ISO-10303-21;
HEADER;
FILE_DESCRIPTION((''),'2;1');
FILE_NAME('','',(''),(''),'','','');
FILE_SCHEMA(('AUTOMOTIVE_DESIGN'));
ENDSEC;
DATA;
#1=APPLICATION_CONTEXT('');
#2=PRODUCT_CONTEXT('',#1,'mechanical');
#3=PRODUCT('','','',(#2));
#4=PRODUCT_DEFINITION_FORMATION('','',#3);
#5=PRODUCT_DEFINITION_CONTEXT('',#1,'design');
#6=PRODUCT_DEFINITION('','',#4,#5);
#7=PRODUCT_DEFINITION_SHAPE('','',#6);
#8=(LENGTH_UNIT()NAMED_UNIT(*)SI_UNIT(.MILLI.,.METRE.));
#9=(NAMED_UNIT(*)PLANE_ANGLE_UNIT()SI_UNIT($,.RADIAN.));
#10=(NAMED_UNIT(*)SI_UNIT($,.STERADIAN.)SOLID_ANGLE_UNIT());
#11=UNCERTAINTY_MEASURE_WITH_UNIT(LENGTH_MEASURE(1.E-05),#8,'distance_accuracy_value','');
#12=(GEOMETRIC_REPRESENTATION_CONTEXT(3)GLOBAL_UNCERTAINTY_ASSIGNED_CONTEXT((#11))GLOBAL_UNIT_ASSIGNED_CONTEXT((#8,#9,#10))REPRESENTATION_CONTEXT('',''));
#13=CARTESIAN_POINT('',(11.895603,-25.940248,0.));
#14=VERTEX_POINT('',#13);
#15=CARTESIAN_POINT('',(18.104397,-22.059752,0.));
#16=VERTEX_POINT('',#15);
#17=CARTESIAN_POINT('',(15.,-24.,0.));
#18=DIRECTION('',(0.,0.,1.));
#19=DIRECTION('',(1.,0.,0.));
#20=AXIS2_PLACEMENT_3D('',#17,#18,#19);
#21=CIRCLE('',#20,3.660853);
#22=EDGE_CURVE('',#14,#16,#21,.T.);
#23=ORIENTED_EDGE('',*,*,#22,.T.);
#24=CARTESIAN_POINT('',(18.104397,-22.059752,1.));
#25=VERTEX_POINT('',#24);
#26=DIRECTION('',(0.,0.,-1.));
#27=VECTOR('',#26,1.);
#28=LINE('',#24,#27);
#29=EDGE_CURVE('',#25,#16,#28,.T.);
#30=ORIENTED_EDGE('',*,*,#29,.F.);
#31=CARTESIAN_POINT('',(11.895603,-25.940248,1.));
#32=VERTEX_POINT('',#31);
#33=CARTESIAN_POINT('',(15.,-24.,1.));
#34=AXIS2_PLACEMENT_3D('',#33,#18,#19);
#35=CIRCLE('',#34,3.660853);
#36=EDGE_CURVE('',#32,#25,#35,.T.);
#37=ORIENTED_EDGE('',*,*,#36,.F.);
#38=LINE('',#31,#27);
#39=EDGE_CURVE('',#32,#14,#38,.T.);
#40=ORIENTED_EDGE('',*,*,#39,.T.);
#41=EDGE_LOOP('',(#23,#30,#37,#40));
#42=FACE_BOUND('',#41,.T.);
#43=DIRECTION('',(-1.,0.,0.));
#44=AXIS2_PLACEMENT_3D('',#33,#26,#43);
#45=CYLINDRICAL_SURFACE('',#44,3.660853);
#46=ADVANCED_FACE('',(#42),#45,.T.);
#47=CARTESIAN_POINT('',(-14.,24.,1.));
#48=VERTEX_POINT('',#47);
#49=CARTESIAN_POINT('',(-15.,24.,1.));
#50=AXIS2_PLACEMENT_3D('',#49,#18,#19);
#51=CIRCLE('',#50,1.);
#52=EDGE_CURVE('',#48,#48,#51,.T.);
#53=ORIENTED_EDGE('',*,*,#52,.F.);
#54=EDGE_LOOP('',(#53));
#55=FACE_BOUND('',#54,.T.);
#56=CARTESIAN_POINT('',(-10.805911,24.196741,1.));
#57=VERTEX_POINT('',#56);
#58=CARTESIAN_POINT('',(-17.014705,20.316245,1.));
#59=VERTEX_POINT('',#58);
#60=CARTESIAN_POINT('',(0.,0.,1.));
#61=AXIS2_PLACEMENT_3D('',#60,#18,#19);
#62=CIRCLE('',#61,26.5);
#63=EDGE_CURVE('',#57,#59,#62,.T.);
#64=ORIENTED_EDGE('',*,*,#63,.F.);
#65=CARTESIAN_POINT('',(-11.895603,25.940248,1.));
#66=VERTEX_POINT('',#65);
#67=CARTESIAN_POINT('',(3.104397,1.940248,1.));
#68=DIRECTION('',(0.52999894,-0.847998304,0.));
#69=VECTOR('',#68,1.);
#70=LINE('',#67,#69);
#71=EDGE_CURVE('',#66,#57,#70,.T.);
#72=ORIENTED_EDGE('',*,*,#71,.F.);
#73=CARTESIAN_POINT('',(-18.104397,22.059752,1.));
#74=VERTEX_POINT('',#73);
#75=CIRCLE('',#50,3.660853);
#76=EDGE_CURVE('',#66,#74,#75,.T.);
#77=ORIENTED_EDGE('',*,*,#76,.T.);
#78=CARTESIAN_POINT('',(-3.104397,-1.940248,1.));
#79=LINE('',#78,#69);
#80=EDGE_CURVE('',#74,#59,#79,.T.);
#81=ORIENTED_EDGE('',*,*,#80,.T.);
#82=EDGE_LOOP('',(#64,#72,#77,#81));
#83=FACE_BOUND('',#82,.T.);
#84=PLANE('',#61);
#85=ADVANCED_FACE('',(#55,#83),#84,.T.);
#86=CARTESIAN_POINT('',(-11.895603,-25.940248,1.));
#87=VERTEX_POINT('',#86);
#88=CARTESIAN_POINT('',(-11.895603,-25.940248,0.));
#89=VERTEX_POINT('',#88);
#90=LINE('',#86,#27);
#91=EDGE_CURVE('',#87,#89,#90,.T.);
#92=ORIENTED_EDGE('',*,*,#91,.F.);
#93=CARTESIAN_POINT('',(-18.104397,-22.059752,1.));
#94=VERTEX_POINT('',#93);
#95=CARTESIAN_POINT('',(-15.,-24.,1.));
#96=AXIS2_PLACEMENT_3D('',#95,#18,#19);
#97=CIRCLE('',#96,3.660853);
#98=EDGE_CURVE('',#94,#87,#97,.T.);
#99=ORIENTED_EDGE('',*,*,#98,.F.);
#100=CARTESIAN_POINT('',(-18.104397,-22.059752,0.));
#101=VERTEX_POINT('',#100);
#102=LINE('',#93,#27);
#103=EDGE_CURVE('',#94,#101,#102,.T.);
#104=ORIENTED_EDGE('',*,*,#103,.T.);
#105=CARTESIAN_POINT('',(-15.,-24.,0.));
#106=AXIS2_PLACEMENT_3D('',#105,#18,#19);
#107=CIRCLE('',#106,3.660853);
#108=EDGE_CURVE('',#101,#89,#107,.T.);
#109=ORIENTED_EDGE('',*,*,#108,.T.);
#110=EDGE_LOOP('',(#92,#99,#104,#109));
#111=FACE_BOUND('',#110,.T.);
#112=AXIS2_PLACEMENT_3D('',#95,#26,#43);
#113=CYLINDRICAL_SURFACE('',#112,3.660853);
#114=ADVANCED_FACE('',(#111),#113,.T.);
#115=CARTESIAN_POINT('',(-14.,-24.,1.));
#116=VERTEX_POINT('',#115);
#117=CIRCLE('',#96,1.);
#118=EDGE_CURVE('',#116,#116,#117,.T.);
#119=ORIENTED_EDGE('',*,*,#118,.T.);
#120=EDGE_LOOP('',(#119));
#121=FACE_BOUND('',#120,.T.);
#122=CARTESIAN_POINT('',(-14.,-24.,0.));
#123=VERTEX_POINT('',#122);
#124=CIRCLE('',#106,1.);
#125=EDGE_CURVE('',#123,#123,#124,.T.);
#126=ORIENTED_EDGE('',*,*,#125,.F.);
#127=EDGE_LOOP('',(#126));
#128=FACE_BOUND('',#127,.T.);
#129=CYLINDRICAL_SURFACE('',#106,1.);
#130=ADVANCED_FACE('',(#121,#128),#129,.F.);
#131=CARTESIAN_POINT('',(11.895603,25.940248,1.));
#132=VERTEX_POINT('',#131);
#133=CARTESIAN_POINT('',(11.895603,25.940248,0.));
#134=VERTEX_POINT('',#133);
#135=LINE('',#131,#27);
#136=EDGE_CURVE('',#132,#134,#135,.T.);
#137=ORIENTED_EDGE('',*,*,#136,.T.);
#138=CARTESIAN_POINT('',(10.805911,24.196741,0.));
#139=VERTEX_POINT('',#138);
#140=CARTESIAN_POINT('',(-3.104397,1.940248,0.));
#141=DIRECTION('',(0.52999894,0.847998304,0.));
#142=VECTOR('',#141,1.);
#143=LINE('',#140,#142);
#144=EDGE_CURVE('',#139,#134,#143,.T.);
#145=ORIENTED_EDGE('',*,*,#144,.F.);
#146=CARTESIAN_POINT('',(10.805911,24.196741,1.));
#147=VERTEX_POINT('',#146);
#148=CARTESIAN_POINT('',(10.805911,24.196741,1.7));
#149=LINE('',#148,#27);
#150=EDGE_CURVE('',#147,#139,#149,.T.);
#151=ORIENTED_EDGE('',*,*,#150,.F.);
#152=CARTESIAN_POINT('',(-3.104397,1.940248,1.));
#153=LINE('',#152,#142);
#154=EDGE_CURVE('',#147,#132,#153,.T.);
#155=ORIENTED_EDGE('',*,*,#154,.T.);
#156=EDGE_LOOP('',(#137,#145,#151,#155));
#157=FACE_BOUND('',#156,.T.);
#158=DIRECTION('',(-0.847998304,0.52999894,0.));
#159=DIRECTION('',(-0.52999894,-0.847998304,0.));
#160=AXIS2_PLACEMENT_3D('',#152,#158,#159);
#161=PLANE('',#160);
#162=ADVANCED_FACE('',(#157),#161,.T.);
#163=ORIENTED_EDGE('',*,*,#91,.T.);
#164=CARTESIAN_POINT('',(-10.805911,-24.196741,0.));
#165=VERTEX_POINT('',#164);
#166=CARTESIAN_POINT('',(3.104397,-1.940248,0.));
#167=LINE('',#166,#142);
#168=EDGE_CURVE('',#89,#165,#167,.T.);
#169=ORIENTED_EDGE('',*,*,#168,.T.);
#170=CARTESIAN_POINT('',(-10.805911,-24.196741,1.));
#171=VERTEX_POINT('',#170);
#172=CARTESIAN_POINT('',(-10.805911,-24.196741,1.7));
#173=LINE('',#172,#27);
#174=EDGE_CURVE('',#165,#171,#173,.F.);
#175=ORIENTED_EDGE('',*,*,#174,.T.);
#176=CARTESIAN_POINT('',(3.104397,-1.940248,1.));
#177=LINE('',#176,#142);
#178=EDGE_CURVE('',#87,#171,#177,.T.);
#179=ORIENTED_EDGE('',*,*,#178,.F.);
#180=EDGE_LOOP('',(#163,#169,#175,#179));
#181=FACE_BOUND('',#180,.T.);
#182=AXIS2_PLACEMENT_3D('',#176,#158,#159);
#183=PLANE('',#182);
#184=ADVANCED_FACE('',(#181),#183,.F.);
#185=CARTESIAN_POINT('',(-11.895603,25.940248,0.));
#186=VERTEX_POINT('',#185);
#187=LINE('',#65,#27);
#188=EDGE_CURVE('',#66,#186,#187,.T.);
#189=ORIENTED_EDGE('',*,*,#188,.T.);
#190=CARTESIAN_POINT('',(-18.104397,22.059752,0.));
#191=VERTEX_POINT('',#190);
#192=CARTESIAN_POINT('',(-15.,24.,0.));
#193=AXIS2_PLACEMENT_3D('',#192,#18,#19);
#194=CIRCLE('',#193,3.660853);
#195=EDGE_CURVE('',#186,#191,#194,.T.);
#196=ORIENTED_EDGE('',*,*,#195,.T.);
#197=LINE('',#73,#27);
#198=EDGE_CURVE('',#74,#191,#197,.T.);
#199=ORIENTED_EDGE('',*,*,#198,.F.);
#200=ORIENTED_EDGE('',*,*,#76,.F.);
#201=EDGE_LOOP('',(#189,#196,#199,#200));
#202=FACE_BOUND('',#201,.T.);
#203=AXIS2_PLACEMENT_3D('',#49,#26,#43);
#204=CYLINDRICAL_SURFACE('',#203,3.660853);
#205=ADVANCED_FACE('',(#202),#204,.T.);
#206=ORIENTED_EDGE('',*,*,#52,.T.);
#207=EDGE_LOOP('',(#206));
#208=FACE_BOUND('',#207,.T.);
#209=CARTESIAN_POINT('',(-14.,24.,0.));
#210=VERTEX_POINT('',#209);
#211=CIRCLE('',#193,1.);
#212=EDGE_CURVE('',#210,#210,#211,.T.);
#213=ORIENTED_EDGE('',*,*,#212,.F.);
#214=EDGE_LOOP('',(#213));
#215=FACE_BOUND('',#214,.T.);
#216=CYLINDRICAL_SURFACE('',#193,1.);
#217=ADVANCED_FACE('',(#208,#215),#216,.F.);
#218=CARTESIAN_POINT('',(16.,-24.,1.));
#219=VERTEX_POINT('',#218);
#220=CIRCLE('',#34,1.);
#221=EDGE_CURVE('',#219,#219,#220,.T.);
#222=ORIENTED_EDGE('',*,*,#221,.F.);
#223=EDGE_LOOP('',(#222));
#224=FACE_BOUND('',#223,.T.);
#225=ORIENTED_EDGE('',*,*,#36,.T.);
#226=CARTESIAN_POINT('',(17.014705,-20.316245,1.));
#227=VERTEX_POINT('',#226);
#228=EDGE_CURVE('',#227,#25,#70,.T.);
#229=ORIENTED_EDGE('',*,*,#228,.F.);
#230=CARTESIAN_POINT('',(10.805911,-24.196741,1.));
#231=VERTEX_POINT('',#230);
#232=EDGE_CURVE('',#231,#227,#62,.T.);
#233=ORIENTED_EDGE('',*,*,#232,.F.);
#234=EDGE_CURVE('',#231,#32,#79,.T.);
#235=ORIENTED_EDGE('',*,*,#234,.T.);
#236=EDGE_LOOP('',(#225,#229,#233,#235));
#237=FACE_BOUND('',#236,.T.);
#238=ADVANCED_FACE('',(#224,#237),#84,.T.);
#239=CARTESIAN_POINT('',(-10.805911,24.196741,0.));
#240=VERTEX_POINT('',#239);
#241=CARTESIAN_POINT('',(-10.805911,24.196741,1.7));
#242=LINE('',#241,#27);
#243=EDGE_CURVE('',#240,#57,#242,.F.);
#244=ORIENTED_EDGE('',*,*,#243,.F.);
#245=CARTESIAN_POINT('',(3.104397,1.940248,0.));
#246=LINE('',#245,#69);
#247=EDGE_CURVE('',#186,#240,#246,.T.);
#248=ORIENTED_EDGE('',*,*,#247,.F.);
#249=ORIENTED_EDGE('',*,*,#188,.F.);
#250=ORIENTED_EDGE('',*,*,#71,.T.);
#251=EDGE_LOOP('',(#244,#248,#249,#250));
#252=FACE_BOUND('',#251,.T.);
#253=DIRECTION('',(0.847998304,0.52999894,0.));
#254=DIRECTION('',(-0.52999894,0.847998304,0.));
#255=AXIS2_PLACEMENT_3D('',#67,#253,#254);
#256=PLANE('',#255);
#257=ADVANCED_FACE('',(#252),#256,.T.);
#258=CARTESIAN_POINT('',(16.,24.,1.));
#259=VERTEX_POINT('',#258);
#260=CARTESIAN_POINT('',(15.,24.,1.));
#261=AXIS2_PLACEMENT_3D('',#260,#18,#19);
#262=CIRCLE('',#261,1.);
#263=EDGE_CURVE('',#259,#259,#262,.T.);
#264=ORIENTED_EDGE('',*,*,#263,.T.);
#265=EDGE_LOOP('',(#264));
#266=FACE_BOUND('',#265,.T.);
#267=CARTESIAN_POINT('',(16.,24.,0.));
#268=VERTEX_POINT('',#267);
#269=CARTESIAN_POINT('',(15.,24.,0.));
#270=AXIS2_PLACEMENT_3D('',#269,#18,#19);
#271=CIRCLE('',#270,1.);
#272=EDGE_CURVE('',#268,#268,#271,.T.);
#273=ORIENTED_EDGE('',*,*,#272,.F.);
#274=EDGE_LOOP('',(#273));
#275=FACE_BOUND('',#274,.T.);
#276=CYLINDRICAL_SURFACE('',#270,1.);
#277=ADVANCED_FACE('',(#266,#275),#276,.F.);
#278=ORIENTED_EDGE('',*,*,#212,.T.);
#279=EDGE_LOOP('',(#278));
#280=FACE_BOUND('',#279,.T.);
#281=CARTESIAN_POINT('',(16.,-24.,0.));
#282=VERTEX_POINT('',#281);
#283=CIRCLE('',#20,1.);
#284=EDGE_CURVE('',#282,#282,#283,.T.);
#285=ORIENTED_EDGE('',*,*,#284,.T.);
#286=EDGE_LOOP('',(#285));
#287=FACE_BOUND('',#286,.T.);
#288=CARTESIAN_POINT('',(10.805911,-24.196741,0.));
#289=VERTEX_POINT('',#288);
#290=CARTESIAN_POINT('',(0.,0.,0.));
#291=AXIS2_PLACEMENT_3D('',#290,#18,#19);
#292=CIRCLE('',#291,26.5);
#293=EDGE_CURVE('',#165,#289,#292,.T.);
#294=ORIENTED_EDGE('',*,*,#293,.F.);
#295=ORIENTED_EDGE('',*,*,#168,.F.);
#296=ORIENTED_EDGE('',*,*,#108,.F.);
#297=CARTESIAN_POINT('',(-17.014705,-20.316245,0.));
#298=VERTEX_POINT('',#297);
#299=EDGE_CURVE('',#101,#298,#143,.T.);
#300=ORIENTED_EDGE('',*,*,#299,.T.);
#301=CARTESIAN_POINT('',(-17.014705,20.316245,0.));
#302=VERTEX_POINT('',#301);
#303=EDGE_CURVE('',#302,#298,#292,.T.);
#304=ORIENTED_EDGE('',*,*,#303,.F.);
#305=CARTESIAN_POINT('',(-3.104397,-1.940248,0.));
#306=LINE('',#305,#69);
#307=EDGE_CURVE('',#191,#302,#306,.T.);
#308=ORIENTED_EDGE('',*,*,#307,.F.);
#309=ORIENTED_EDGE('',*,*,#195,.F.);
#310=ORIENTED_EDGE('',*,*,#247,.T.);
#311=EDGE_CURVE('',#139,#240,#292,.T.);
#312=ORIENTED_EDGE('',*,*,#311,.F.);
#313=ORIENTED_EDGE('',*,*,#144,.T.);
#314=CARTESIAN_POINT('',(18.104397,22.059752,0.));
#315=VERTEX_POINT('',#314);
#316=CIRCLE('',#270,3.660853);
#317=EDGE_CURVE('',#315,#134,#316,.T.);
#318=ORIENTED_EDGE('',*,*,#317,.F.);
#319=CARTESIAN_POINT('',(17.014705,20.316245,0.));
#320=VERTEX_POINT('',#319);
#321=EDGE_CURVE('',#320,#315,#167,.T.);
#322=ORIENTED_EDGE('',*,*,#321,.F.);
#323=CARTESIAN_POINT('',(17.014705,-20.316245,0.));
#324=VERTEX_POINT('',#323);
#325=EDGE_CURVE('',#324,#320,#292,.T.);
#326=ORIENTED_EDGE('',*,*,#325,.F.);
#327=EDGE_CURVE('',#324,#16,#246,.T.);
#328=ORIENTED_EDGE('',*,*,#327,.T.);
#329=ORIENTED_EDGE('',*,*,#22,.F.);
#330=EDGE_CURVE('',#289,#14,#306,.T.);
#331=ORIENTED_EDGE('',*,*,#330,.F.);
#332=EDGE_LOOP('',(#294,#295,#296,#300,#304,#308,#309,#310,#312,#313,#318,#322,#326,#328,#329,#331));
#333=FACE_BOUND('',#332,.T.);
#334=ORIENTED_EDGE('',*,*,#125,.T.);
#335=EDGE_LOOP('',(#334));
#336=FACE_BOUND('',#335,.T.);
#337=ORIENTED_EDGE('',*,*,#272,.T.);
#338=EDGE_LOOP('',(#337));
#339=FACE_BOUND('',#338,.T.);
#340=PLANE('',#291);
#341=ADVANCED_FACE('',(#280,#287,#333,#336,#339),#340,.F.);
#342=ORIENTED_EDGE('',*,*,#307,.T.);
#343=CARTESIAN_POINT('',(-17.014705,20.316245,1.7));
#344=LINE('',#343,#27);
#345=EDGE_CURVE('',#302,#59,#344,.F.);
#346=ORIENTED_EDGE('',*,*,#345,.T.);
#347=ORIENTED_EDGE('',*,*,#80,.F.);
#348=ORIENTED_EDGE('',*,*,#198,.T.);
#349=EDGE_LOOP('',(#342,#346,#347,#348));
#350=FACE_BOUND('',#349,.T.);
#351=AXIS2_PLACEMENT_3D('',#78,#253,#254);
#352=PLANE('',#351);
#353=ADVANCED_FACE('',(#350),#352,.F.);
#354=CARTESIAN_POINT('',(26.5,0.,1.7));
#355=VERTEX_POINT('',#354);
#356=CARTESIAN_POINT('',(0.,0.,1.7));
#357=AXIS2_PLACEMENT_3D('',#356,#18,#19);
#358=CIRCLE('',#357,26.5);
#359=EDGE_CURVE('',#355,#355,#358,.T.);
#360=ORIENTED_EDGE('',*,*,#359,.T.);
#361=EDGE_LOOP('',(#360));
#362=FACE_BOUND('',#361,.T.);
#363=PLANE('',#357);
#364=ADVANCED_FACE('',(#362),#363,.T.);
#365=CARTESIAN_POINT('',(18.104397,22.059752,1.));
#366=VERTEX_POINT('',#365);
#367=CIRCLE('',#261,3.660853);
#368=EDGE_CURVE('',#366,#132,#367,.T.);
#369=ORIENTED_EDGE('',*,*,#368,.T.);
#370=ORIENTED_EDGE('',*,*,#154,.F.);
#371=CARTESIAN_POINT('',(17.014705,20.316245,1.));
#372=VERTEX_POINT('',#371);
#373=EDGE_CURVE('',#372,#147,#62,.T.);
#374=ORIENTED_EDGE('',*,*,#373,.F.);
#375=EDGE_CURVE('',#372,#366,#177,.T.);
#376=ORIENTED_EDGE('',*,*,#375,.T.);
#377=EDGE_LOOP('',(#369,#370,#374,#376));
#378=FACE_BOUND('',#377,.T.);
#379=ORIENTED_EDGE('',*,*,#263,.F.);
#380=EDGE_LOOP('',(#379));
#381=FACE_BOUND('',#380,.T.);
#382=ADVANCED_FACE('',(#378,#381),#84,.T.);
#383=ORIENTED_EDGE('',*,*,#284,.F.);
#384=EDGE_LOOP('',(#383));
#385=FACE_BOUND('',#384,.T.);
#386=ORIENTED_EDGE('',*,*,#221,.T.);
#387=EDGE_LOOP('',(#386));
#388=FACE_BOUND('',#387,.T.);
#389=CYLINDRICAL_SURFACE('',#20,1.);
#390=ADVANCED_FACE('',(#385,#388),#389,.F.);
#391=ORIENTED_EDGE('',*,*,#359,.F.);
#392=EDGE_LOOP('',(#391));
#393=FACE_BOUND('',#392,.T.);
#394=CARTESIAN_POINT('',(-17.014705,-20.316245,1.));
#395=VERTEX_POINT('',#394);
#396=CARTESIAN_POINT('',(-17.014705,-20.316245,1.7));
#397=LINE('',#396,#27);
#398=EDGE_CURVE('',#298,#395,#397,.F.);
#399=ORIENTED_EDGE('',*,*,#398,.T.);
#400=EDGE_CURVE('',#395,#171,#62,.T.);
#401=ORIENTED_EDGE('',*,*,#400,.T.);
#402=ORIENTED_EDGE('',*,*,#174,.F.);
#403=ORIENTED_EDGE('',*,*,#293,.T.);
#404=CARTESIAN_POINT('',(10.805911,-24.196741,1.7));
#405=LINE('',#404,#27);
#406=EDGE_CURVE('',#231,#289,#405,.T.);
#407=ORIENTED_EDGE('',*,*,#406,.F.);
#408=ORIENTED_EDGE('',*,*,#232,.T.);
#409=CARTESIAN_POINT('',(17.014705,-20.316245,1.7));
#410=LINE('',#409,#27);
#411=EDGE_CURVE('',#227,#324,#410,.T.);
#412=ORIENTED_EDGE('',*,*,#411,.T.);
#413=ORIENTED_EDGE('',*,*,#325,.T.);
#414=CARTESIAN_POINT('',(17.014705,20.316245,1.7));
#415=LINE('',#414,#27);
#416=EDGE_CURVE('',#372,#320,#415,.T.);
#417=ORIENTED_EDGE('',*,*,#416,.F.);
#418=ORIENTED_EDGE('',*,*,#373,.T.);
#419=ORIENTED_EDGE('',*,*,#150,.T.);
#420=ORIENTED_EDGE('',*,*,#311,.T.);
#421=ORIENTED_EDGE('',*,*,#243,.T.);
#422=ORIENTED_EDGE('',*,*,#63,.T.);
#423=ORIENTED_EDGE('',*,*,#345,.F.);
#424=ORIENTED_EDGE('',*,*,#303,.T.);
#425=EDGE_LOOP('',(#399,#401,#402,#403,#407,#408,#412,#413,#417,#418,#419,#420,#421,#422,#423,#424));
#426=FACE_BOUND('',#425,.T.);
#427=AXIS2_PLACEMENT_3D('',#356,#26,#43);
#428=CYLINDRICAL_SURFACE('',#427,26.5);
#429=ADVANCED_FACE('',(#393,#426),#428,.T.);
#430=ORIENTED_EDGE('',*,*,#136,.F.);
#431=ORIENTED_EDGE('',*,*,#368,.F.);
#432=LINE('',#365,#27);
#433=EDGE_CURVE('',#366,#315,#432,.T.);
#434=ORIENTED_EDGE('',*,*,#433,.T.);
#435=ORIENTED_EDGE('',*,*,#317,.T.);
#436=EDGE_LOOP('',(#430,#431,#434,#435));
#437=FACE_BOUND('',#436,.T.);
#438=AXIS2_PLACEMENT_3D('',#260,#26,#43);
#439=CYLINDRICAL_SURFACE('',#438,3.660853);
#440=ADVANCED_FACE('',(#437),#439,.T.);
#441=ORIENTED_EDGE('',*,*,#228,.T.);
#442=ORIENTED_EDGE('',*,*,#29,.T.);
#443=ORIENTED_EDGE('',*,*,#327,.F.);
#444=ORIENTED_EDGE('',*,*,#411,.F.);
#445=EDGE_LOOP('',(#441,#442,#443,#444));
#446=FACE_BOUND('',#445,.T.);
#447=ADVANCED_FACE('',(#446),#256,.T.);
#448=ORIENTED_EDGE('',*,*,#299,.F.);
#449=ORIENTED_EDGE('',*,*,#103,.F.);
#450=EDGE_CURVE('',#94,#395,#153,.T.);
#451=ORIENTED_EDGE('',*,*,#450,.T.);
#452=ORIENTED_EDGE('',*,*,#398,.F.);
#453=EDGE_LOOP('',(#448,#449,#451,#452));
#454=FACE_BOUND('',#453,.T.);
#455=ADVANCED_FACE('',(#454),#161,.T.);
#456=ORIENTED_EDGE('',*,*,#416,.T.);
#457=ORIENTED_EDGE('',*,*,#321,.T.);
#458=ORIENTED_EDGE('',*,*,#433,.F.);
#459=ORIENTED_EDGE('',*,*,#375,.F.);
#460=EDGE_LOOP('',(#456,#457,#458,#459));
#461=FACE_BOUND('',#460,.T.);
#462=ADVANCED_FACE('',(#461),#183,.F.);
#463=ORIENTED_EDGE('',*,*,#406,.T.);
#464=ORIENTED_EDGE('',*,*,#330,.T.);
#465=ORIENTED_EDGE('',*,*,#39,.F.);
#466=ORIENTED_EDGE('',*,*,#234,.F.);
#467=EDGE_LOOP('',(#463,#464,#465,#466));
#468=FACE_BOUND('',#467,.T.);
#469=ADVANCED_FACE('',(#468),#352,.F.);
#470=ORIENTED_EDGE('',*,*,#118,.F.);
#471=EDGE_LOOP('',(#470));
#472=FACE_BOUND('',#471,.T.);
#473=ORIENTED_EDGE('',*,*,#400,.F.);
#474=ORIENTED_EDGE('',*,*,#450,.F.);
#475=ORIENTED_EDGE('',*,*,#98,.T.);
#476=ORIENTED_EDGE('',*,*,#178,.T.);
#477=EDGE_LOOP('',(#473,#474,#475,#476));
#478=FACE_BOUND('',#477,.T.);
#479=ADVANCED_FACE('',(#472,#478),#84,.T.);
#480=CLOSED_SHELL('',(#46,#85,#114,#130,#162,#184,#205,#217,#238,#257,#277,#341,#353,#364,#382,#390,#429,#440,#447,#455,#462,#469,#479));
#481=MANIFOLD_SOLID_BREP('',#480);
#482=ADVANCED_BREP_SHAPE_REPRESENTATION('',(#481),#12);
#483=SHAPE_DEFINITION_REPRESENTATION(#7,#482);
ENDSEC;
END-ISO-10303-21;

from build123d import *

# Parameters (mm, degrees)
SKETCH_1_R          = 26.5
EXTRUDE_2_DEPTH     = 1.7
EXTRUDE_3_DEPTH     = 1
SKETCH_4_R          = 1
CUT_EXTRUDE_1_DEPTH = 1


with BuildPart() as part:
    # Эскиз1 → Бобышка-Вытянуть2 (new body)
    with BuildSketch(Plane.XY):
        Circle(SKETCH_1_R)
    extrude(amount=EXTRUDE_2_DEPTH)

    # Эскиз3 → Бобышка-Вытянуть3 (add)
    with BuildSketch(Plane.XY):
        with BuildLine():
            Line((0, 6.907283337), (-11.895602995, 25.940248128))
            ThreePointArc((-11.895602995, 25.940248128), (-16.940248128, 27.104397005), (-18.104397005, 22.059751872))
            Line((-18.104397005, 22.059751872), (-4.317052086, 0))
            Line((-4.317052086, 0), (0, 6.907283337))
        make_face()
        with BuildLine():
            Line((11.895602995, 25.940248128), (0, 6.907283337))
            Line((0, 6.907283337), (4.317052086, 0))
            Line((4.317052086, 0), (18.104397005, 22.059751872))
            ThreePointArc((18.104397005, 22.059751872), (16.940248128, 27.104397005), (11.895602995, 25.940248128))
        make_face()
        with BuildLine():
            Line((0, -6.907283337), (-4.317052086, 0))
            Line((-4.317052086, 0), (-18.104397005, -22.059751872))
            ThreePointArc((-18.104397005, -22.059751872), (-16.940248128, -27.104397005), (-11.895602995, -25.940248128))
            Line((-11.895602995, -25.940248128), (0, -6.907283337))
        make_face()
        with BuildLine():
            Line((18.104397005, -22.059751872), (4.317052086, 0))
            Line((4.317052086, 0), (0, -6.907283337))
            Line((0, -6.907283337), (11.895602995, -25.940248128))
            ThreePointArc((11.895602995, -25.940248128), (16.940248128, -27.104397005), (18.104397005, -22.059751872))
        make_face()
    extrude(amount=EXTRUDE_3_DEPTH)

    # Эскиз4 → Вырез-Вытянуть1 (cut)
    with BuildSketch(Plane.XY.offset(1)):
        with Locations((-15, 24)):
            Circle(SKETCH_4_R)
        with Locations((15, 24)):
            Circle(SKETCH_4_R)
        with Locations((15, -24)):
            Circle(SKETCH_4_R)
        with Locations((-15, -24)):
            Circle(SKETCH_4_R)
    extrude(amount=-CUT_EXTRUDE_1_DEPTH, mode=Mode.SUBTRACT)


solid = part.part
